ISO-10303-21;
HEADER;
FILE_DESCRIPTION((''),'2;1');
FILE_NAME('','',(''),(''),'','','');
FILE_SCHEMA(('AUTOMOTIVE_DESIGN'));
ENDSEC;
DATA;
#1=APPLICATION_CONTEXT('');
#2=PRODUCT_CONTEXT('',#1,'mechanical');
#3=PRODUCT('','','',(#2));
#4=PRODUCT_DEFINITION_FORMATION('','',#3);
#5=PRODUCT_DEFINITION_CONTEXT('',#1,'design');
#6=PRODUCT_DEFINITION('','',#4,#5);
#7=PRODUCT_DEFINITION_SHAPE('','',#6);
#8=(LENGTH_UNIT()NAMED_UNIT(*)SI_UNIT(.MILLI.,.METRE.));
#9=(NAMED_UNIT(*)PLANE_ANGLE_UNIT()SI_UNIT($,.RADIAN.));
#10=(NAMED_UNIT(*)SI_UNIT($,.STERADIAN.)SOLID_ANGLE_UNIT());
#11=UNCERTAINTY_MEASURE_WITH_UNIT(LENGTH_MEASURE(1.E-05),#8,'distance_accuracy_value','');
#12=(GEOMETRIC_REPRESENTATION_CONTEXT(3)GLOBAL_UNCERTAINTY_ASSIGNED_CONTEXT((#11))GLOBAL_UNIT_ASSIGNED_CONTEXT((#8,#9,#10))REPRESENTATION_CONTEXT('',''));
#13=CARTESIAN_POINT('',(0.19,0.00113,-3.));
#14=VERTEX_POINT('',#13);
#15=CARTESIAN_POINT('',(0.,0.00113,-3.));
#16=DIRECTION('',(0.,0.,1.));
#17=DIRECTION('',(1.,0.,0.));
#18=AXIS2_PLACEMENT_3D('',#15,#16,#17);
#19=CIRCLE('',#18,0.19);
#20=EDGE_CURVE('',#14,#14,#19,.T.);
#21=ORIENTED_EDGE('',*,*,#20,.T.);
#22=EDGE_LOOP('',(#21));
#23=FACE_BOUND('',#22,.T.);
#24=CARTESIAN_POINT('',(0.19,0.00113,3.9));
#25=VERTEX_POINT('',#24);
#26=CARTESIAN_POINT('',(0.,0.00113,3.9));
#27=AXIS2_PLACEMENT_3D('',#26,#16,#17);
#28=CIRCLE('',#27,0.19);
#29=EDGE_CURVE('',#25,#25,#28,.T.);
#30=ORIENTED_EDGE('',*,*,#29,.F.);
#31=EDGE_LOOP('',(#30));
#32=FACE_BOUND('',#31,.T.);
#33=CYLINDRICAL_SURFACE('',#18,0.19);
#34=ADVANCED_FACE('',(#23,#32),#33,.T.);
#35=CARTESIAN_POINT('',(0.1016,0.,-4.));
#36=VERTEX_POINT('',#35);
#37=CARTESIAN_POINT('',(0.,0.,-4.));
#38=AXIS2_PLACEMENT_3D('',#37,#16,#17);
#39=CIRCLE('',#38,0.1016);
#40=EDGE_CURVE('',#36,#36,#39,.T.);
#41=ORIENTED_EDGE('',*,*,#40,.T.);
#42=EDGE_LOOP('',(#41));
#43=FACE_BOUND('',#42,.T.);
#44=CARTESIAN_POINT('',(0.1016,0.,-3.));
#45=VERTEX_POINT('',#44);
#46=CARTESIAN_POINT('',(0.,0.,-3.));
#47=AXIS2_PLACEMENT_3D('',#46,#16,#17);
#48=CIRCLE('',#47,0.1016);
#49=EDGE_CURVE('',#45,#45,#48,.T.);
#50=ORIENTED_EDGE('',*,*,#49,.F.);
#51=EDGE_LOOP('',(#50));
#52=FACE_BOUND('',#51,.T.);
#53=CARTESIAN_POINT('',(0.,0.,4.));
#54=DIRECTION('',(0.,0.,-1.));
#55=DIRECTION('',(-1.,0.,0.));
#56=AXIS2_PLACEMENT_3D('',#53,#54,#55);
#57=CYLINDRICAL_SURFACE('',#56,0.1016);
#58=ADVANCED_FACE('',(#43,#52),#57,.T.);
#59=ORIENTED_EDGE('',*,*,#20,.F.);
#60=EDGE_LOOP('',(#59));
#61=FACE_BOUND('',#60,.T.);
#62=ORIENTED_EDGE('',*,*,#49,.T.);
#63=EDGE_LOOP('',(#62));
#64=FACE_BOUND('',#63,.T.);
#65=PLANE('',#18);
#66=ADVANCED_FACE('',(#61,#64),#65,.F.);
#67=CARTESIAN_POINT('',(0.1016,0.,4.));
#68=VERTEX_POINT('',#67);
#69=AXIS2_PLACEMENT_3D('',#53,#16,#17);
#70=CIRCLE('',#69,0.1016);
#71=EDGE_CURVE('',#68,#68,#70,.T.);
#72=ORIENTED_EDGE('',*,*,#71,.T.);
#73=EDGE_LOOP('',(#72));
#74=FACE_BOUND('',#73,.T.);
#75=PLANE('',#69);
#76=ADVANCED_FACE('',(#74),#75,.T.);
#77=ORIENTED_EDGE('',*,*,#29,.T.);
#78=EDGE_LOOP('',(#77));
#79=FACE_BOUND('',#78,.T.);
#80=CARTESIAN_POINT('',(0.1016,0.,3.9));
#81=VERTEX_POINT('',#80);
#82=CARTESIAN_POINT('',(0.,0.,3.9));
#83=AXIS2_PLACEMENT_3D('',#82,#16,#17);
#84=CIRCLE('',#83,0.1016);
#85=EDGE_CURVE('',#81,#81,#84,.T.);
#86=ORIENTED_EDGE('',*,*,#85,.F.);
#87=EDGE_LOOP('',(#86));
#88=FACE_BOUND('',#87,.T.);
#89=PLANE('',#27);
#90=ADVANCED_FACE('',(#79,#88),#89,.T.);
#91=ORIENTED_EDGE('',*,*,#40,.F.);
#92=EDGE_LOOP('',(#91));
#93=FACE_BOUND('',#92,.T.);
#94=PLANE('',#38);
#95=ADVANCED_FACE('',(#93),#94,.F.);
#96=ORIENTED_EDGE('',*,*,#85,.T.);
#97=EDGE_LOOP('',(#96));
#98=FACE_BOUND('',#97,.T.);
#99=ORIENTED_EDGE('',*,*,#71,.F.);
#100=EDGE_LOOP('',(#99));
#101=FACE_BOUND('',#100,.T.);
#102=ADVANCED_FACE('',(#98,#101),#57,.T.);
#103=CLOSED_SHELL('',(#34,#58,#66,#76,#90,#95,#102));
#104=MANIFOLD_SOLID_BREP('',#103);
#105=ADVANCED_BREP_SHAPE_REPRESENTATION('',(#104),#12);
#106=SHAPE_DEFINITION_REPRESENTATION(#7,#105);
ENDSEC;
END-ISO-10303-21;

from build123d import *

# Parameters (mm, degrees)
SKETCH_1_R           = 0.1016
EXTRUDE_1_DEPTH      = 4
EXTRUDE_2_DEPTH      = 3.9
EXTRUDE_2_DEPTH_BACK = 3
SKETCH_2_R           = 0.19


with BuildPart() as part:
    # 草图1 → 凸台-拉伸1 (new, symmetric)
    with BuildSketch(Plane.XY):
        Circle(SKETCH_1_R)
    extrude(amount=EXTRUDE_1_DEPTH, both=True)

    # 草图2 → 凸台-拉伸2 (add, two sides: drawn at the far end of the back side and taken through both)
    with BuildSketch(Plane.XY.offset(-EXTRUDE_2_DEPTH_BACK)):
        with Locations((0, 0.001129958)):
            Circle(SKETCH_2_R)
    extrude(amount=EXTRUDE_2_DEPTH + EXTRUDE_2_DEPTH_BACK)


solid = part.part
